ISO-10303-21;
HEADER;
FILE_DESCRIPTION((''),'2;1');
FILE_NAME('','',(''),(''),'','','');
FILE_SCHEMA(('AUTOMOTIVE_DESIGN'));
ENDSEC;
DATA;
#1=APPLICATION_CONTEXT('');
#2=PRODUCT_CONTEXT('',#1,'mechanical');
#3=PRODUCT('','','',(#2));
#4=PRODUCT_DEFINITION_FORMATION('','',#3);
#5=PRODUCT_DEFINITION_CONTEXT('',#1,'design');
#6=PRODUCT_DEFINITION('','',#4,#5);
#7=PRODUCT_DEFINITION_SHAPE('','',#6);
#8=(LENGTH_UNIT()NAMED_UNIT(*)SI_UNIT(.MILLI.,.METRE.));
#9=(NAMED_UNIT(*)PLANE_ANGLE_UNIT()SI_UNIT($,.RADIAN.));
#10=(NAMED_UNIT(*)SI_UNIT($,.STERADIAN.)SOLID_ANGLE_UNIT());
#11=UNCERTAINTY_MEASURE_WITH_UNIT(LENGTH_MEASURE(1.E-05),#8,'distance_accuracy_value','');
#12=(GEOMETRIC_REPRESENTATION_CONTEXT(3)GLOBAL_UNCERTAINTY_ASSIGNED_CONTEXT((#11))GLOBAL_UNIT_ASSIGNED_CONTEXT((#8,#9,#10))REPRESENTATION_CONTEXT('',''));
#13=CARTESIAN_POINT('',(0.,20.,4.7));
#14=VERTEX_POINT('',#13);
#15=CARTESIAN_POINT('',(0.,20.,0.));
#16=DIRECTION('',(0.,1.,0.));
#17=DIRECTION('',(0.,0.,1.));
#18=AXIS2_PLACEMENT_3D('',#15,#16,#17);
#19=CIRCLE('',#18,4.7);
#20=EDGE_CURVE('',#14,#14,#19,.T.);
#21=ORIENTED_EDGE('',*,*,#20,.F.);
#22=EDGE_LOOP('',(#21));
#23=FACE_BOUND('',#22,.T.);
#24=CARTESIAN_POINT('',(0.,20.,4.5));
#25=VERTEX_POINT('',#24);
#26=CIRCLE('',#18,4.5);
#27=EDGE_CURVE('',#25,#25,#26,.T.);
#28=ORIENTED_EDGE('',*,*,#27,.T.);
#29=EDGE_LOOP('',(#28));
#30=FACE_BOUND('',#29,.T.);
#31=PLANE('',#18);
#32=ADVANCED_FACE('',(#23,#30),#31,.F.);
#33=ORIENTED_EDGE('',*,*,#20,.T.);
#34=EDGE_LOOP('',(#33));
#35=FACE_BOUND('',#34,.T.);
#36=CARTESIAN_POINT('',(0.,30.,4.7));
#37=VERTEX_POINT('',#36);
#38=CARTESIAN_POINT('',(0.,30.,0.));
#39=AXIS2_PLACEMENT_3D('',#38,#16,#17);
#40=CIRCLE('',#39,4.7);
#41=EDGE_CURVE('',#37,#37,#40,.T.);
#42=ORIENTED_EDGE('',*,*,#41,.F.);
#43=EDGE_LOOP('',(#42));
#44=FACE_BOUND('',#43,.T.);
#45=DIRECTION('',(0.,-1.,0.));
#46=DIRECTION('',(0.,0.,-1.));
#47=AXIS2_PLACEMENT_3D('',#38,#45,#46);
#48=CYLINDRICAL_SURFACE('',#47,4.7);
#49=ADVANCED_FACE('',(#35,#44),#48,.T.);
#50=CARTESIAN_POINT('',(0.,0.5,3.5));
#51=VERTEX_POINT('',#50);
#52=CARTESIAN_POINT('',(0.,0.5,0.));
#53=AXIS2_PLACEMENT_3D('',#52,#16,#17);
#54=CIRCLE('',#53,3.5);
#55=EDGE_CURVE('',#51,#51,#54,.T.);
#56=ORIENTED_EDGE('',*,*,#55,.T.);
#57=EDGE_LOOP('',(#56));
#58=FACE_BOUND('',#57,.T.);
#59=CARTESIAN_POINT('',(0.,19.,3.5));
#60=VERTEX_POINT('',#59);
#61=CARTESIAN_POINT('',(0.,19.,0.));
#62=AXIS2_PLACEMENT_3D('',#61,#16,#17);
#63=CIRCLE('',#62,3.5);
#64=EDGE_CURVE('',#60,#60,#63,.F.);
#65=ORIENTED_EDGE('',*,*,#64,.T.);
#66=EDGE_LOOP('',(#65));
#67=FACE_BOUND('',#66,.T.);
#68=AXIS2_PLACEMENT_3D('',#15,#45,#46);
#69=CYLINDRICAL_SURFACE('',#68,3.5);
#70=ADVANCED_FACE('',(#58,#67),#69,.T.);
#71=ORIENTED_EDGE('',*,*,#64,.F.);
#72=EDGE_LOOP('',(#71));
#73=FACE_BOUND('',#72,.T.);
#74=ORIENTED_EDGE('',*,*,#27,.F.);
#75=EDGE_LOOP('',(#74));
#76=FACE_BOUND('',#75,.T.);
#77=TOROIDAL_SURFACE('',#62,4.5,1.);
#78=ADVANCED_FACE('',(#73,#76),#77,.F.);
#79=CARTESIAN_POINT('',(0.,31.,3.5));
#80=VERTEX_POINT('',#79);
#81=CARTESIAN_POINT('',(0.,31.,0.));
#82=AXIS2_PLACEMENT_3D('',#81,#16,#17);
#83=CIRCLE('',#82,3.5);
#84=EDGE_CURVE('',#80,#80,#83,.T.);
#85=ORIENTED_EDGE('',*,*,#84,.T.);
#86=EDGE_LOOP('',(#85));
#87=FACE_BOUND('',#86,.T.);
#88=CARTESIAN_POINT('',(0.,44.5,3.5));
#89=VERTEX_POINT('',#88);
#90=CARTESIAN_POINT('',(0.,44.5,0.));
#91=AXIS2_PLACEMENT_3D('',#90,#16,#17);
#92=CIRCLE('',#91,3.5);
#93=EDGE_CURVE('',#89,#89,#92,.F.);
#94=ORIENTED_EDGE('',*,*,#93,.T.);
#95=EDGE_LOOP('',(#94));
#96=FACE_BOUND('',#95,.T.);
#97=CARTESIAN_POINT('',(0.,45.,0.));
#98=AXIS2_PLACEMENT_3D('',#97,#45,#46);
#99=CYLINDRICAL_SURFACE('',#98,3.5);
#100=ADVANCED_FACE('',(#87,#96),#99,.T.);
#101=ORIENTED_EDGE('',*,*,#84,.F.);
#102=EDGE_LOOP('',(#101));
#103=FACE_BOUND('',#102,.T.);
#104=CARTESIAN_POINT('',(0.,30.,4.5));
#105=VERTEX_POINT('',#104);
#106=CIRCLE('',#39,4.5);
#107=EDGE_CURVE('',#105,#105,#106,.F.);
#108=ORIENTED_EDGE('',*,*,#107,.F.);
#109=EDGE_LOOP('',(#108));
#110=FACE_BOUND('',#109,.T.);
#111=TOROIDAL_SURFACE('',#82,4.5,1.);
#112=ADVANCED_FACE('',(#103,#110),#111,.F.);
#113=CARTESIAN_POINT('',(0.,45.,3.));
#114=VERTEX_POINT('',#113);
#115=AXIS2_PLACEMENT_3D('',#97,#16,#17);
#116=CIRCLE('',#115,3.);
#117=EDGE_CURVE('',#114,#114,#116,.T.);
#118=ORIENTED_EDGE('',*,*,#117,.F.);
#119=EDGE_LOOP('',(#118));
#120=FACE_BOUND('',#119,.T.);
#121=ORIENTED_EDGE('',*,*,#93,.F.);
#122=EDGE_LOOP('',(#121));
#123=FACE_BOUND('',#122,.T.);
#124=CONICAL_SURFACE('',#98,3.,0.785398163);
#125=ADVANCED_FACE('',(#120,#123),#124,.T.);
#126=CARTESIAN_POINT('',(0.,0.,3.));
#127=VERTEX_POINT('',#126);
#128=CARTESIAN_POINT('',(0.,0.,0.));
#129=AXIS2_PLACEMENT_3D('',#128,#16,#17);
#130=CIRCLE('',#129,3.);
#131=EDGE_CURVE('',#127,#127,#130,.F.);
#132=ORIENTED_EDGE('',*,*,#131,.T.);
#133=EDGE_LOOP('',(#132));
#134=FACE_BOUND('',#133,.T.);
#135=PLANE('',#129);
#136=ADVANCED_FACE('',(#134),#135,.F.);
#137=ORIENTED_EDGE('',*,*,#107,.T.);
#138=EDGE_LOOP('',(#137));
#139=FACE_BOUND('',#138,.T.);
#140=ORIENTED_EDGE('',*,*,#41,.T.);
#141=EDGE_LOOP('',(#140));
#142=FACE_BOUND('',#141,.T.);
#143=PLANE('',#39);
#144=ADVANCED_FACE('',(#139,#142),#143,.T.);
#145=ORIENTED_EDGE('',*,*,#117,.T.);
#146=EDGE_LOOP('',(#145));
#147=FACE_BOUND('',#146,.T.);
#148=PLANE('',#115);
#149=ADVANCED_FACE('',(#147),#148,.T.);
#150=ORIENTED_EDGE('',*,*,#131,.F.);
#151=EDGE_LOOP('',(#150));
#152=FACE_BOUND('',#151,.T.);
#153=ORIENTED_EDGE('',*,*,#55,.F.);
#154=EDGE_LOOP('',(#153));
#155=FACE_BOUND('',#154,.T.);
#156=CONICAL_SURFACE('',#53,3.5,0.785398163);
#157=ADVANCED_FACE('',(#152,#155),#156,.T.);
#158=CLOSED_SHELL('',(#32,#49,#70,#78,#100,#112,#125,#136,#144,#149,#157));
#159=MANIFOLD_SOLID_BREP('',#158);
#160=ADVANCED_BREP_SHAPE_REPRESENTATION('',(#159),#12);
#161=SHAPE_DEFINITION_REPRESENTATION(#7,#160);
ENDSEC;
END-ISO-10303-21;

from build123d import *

# Parameters (mm, degrees)
SKETCH1_R           = 3.5
BOSS_EXTRUDE1_DEPTH = 20
SKETCH2_R           = 4.7
BOSS_EXTRUDE2_DEPTH = 10
SKETCH3_R           = 3.5
BOSS_EXTRUDE3_DEPTH = 15
FILLET1_R           = 1
CHAMFER1_SIZE       = 0.5


with BuildPart() as part:
    # Sketch1 → Boss-Extrude1 (new body)
    with BuildSketch(Plane(origin=(0, 0, 0), x_dir=(1, 0, 0), z_dir=(0, 1, 0))):
        Circle(SKETCH1_R)
    extrude(amount=BOSS_EXTRUDE1_DEPTH)

    # Sketch2 → Boss-Extrude2 (add)
    with BuildSketch(Plane(origin=(0, 20, 0), x_dir=(1, 0, 0), z_dir=(0, 1, 0))):
        Circle(SKETCH2_R)
    extrude(amount=BOSS_EXTRUDE2_DEPTH)

    # Sketch3 → Boss-Extrude3 (add)
    with BuildSketch(Plane(origin=(0, 30, 0), x_dir=(1, 0, 0), z_dir=(0, 1, 0))):
        Circle(SKETCH3_R)
    extrude(amount=BOSS_EXTRUDE3_DEPTH)

    # Fillet1
    fillet1_edges = [part.edges().sort_by_distance(p)[0] for p in [
        (-3.5, 30, 0),
        (-3.5, 20, 0),
    ]]
    fillet(fillet1_edges, radius=FILLET1_R)

    # Chamfer1
    chamfer1_edges = [part.edges().sort_by_distance(p)[0] for p in [
        (-3.5, 45, 0),
        (-3.5, 0, 0),
    ]]
    chamfer(chamfer1_edges, length=CHAMFER1_SIZE)


solid = part.part
